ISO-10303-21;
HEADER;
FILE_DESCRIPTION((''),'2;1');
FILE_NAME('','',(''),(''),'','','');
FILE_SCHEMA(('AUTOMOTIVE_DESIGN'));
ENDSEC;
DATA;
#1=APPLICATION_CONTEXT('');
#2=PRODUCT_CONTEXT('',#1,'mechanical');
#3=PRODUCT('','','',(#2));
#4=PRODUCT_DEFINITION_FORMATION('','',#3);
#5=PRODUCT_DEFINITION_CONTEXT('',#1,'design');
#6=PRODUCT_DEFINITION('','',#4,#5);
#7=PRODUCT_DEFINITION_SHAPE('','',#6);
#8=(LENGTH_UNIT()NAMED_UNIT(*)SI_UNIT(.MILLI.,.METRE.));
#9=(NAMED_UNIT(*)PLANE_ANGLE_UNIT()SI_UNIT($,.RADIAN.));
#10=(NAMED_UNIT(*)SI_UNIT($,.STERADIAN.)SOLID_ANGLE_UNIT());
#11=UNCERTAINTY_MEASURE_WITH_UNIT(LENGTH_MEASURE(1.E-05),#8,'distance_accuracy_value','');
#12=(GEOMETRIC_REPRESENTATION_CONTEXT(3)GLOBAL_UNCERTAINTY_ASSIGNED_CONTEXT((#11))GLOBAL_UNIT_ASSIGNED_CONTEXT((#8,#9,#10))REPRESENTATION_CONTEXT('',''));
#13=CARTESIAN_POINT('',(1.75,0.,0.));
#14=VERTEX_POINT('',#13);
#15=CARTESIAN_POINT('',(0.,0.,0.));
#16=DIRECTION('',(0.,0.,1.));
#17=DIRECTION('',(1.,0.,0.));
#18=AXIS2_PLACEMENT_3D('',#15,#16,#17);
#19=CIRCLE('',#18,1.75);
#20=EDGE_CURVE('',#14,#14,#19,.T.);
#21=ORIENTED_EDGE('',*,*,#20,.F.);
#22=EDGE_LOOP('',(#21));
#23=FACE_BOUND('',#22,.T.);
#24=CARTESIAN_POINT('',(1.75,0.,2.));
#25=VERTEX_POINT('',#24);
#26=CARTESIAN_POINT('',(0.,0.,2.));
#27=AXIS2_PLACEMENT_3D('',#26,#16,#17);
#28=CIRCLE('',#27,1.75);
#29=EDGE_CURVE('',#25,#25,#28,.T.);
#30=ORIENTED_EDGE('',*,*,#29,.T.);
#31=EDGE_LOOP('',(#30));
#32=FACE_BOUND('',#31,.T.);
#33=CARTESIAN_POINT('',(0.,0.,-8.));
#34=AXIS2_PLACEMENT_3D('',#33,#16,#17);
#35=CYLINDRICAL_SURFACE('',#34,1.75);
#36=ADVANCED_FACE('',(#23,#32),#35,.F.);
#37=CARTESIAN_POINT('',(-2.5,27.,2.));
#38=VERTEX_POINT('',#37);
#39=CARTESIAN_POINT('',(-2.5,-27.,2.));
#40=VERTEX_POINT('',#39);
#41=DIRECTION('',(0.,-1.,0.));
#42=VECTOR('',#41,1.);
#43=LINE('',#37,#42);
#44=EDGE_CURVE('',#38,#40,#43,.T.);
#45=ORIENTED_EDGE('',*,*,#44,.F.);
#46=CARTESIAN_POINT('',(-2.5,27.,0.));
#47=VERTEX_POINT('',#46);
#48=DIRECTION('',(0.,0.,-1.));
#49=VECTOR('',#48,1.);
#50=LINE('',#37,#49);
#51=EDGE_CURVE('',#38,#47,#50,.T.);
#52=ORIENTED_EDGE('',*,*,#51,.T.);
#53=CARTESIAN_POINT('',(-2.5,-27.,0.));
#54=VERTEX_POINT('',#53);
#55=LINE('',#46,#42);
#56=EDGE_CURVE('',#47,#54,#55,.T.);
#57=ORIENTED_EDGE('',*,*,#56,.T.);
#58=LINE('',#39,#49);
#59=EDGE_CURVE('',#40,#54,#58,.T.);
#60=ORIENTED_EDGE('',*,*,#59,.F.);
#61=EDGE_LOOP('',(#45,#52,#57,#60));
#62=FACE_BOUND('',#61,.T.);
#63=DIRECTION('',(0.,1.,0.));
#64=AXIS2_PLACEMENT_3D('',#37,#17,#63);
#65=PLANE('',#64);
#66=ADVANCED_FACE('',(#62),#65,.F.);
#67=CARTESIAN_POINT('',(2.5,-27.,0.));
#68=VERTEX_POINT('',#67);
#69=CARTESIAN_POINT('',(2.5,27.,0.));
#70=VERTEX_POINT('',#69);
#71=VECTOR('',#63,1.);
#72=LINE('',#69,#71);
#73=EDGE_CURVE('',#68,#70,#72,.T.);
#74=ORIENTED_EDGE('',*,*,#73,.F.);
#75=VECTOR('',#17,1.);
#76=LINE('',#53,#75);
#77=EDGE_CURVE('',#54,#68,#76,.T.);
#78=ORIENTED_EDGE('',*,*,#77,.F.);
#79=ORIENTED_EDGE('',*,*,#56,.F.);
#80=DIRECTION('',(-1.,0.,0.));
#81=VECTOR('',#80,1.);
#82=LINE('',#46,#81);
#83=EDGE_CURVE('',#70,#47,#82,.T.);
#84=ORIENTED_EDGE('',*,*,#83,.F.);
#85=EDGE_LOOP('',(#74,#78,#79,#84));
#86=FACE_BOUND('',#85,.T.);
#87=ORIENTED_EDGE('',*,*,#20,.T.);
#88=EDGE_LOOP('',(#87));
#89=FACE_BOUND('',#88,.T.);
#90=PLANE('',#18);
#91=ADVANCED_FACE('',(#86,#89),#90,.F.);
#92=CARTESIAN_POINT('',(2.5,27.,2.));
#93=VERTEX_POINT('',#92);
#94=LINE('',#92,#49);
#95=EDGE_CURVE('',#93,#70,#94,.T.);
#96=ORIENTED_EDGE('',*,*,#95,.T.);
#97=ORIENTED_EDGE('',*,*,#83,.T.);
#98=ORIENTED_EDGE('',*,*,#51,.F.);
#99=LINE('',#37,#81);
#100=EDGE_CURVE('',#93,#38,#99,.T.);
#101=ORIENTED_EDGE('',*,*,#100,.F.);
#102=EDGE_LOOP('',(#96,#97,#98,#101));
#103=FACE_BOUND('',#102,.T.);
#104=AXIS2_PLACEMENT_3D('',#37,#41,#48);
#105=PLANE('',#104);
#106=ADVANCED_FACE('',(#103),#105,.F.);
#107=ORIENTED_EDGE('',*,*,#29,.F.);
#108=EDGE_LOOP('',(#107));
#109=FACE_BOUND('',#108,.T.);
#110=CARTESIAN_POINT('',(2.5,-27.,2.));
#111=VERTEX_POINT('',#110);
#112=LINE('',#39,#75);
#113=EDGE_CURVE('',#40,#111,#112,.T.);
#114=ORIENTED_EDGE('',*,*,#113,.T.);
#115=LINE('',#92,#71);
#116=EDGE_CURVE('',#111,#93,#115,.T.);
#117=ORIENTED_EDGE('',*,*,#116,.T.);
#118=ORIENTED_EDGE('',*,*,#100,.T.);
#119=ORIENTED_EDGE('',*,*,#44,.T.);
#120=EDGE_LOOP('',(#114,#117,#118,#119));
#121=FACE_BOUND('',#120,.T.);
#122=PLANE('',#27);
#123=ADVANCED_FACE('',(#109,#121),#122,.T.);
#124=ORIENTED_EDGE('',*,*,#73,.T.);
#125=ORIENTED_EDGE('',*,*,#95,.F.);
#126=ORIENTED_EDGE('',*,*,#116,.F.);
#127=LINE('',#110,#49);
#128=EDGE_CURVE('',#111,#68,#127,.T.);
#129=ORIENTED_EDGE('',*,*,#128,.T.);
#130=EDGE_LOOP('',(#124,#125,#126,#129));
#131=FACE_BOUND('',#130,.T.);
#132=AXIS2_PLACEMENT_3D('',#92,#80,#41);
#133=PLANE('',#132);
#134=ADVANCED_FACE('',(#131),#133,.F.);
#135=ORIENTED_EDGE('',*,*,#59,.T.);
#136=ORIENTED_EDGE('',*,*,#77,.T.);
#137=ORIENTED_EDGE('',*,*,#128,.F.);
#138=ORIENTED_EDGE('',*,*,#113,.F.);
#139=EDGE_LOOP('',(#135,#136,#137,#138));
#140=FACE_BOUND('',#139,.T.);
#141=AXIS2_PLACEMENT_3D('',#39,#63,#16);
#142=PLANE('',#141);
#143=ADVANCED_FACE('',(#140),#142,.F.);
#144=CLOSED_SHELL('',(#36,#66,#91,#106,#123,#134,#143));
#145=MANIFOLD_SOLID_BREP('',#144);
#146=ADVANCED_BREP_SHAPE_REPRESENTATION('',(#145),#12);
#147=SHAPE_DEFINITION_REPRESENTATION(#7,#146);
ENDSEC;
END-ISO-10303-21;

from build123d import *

# Parameters (mm, degrees)
SKETCH2_W           = 5
SKETCH2_H           = 54
BOSS_EXTRUDE1_DEPTH = 2
SKETCH3_R           = 1.75
CUT_EXTRUDE1_DEPTH  = 10


with BuildPart() as part:
    # Sketch2 → Boss-Extrude1 (new body)
    with BuildSketch(Plane.XY):
        Rectangle(SKETCH2_W, SKETCH2_H)
    extrude(amount=BOSS_EXTRUDE1_DEPTH)

    # Sketch3 → Cut-Extrude1 (cut)
    with BuildSketch(Plane.XY.offset(2)):
        Circle(SKETCH3_R)
    extrude(amount=-CUT_EXTRUDE1_DEPTH, mode=Mode.SUBTRACT)


solid = part.part
